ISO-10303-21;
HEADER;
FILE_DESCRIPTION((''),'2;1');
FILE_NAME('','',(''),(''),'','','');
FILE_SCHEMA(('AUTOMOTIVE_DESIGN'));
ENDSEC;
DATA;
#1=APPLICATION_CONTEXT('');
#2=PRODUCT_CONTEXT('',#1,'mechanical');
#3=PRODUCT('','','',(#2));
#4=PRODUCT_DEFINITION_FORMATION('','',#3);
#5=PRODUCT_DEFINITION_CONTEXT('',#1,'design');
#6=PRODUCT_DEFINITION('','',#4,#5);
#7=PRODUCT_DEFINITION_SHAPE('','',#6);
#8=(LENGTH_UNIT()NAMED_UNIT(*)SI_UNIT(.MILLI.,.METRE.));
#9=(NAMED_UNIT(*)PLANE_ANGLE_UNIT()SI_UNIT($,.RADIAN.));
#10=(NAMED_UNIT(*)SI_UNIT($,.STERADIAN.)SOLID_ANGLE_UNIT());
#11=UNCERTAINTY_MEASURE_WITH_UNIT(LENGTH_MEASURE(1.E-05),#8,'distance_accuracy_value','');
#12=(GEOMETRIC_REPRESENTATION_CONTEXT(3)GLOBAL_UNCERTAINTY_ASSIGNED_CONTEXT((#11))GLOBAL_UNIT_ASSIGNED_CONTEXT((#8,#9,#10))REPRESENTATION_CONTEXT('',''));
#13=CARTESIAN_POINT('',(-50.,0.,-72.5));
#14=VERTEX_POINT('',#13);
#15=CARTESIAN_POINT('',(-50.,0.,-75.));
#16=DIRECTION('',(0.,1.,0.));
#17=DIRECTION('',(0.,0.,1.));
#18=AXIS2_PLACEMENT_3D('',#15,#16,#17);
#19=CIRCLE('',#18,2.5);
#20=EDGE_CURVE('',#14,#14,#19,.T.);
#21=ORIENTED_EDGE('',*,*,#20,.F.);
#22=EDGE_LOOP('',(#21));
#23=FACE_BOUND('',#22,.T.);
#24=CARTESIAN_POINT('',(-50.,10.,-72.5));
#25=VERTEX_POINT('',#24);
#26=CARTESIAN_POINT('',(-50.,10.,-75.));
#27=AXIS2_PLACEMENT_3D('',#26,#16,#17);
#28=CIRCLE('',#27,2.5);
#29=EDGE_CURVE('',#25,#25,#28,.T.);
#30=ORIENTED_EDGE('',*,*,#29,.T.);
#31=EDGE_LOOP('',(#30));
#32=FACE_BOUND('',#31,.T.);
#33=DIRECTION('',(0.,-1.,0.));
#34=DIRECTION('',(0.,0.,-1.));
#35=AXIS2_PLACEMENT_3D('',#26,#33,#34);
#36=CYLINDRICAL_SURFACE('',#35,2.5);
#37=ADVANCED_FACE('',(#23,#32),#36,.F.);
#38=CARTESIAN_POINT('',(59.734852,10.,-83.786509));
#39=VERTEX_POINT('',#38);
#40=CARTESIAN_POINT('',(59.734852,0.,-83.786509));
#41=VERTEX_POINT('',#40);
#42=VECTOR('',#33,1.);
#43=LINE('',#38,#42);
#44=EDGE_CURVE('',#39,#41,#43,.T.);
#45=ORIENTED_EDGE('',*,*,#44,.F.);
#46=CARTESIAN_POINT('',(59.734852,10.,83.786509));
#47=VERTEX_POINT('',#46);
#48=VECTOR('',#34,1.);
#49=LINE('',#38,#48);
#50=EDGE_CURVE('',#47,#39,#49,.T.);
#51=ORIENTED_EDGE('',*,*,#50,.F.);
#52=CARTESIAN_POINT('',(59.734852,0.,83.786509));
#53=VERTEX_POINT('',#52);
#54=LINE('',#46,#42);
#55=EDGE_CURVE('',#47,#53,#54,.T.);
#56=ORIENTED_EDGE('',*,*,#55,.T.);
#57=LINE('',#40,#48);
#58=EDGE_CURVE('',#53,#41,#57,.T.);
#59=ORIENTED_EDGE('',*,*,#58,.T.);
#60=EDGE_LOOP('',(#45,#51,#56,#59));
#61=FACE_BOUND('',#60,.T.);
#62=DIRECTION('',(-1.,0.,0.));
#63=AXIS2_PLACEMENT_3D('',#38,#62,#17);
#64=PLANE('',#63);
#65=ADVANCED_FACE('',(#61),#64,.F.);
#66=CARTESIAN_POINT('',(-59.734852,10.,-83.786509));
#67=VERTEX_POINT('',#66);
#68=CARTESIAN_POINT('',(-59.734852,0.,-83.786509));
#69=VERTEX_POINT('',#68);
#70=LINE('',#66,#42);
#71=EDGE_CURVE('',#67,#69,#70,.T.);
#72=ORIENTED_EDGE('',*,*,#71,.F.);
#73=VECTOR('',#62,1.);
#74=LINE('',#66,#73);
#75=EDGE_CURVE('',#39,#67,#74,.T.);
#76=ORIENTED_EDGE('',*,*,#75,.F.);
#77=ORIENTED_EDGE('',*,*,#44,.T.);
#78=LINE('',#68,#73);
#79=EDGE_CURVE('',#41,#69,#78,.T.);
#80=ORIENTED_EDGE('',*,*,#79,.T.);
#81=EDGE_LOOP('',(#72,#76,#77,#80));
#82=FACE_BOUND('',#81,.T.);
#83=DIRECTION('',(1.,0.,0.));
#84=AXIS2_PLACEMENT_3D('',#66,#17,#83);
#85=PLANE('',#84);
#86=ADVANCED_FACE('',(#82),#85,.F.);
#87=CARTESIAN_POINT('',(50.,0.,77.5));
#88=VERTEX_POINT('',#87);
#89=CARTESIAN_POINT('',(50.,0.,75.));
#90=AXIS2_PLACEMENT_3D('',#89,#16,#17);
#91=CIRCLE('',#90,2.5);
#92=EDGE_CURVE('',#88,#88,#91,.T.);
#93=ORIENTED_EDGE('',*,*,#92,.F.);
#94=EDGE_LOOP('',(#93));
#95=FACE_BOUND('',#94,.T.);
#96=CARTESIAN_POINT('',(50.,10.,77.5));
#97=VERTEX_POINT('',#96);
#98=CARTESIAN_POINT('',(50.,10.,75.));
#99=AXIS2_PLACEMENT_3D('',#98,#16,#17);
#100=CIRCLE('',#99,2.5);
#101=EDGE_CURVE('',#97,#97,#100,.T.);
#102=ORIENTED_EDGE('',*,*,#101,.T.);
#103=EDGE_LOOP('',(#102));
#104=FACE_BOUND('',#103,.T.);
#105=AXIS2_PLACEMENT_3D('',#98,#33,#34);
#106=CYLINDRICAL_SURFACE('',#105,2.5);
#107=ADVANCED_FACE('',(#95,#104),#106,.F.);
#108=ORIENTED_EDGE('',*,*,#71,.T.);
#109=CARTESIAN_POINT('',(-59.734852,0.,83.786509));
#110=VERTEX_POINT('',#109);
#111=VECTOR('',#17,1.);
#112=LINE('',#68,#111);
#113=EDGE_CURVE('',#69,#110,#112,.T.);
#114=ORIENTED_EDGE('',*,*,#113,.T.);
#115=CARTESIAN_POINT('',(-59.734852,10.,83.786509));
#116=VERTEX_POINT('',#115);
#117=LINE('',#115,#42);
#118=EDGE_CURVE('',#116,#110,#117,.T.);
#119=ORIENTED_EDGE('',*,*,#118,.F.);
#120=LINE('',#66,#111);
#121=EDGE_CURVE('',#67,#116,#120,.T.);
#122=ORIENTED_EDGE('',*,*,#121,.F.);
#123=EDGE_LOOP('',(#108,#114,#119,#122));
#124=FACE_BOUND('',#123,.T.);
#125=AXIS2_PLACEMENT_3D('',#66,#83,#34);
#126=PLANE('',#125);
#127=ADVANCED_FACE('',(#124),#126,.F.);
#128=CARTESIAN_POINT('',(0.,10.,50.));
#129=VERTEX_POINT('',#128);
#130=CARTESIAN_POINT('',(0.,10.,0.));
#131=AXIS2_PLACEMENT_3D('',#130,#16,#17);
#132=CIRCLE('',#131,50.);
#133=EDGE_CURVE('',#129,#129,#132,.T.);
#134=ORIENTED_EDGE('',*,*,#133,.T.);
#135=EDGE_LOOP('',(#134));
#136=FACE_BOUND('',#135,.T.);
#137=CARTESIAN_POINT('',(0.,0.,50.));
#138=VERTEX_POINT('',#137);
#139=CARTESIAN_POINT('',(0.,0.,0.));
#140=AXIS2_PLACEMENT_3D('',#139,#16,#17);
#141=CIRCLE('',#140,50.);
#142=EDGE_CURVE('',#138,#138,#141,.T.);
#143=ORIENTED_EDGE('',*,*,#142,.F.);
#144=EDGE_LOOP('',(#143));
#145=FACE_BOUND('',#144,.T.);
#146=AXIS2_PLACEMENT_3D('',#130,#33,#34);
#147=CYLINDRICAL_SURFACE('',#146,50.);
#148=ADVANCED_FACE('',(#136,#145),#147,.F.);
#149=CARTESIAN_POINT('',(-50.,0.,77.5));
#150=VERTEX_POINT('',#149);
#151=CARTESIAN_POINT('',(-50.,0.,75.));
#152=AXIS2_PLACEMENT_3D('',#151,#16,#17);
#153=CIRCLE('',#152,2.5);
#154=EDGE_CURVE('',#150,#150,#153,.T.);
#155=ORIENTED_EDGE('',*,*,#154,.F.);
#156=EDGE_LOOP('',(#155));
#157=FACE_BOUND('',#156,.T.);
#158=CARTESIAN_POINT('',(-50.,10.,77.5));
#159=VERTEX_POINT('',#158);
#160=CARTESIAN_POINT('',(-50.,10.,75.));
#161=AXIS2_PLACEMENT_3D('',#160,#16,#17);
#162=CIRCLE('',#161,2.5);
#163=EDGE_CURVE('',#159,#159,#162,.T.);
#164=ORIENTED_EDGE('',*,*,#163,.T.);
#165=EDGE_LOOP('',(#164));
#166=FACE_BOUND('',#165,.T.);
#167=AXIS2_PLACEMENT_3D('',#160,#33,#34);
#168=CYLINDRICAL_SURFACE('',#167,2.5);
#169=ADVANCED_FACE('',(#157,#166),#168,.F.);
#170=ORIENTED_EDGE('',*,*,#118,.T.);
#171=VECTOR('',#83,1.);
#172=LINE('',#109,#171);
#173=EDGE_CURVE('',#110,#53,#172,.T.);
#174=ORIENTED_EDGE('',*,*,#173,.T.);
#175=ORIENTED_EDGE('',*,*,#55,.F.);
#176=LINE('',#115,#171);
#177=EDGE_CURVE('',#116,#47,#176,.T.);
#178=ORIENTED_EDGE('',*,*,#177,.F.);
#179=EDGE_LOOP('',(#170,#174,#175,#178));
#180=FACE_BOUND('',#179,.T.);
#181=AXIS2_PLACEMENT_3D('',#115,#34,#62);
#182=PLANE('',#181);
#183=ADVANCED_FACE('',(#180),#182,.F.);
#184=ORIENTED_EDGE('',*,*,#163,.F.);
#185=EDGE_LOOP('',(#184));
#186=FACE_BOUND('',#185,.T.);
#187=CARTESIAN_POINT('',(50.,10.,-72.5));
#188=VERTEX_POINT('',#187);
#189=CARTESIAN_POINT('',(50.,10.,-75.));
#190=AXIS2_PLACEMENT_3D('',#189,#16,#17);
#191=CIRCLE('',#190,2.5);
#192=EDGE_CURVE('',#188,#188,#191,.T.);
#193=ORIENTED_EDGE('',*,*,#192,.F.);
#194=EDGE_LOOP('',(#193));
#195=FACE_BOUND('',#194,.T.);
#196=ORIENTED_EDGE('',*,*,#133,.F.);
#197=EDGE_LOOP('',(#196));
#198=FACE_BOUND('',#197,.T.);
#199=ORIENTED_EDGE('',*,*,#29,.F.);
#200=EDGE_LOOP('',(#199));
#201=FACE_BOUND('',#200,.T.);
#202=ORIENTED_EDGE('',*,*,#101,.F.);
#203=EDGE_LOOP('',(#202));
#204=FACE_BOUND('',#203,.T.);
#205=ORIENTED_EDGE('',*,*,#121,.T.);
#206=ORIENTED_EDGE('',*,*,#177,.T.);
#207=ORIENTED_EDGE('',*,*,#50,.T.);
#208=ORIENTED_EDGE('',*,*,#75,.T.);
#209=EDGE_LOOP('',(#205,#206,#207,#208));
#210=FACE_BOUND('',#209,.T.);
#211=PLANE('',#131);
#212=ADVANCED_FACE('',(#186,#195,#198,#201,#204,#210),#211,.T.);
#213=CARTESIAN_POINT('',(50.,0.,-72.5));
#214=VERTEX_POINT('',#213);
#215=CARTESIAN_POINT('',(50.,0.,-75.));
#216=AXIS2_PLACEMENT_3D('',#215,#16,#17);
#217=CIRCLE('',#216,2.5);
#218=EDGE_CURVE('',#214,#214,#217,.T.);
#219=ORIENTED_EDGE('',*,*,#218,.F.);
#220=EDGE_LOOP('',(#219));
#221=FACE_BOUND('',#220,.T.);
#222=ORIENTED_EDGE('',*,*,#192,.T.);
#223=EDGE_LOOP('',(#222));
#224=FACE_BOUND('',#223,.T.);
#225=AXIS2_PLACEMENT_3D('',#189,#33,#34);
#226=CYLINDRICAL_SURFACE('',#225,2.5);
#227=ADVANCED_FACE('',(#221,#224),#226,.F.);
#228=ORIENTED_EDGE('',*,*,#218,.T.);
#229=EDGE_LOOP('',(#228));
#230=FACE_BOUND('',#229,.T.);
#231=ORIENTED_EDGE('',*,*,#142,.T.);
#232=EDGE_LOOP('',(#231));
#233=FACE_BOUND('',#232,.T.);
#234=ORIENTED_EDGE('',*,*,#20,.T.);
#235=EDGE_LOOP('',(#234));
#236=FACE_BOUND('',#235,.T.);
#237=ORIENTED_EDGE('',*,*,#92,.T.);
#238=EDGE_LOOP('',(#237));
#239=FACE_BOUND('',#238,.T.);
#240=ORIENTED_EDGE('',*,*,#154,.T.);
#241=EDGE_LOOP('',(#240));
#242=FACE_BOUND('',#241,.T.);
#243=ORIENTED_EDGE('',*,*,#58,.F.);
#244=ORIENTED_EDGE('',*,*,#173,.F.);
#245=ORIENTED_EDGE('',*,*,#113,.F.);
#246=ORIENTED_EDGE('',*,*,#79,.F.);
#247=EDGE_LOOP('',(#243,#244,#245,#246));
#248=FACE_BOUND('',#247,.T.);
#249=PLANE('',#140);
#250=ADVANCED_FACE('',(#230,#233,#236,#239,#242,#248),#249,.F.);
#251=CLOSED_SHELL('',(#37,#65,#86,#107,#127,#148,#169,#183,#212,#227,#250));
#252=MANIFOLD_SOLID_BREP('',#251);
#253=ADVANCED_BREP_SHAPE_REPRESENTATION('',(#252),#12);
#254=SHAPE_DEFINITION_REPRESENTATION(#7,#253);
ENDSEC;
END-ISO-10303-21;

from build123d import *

# Parameters (mm, degrees)
SKETCH1_W           = 119.469704638
SKETCH1_H           = 167.573018056
SKETCH1_R           = 50
SKETCH1_R_2         = 2.5
BOSS_EXTRUDE1_DEPTH = 10


with BuildPart() as part:
    # Sketch1 → Boss-Extrude1 (new body)
    with BuildSketch(Plane(origin=(0, 0, 0), x_dir=(1, 0, 0), z_dir=(0, 1, 0))):
        Rectangle(SKETCH1_W, SKETCH1_H)
        with Locations(Location((0, 0, 0), (0, 0, 270))):
            Circle(SKETCH1_R, mode=Mode.SUBTRACT)
        with Locations(Location((50, 75, 0), (0, 0, 270))):
            Circle(SKETCH1_R_2, mode=Mode.SUBTRACT)
        with Locations(Location((-50, 75, 0), (0, 0, 270))):
            Circle(SKETCH1_R_2, mode=Mode.SUBTRACT)
        with Locations(Location((-50, -75, 0), (0, 0, 270))):
            Circle(SKETCH1_R_2, mode=Mode.SUBTRACT)
        with Locations(Location((50, -75, 0), (0, 0, 270))):
            Circle(SKETCH1_R_2, mode=Mode.SUBTRACT)
    extrude(amount=BOSS_EXTRUDE1_DEPTH)


solid = part.part
